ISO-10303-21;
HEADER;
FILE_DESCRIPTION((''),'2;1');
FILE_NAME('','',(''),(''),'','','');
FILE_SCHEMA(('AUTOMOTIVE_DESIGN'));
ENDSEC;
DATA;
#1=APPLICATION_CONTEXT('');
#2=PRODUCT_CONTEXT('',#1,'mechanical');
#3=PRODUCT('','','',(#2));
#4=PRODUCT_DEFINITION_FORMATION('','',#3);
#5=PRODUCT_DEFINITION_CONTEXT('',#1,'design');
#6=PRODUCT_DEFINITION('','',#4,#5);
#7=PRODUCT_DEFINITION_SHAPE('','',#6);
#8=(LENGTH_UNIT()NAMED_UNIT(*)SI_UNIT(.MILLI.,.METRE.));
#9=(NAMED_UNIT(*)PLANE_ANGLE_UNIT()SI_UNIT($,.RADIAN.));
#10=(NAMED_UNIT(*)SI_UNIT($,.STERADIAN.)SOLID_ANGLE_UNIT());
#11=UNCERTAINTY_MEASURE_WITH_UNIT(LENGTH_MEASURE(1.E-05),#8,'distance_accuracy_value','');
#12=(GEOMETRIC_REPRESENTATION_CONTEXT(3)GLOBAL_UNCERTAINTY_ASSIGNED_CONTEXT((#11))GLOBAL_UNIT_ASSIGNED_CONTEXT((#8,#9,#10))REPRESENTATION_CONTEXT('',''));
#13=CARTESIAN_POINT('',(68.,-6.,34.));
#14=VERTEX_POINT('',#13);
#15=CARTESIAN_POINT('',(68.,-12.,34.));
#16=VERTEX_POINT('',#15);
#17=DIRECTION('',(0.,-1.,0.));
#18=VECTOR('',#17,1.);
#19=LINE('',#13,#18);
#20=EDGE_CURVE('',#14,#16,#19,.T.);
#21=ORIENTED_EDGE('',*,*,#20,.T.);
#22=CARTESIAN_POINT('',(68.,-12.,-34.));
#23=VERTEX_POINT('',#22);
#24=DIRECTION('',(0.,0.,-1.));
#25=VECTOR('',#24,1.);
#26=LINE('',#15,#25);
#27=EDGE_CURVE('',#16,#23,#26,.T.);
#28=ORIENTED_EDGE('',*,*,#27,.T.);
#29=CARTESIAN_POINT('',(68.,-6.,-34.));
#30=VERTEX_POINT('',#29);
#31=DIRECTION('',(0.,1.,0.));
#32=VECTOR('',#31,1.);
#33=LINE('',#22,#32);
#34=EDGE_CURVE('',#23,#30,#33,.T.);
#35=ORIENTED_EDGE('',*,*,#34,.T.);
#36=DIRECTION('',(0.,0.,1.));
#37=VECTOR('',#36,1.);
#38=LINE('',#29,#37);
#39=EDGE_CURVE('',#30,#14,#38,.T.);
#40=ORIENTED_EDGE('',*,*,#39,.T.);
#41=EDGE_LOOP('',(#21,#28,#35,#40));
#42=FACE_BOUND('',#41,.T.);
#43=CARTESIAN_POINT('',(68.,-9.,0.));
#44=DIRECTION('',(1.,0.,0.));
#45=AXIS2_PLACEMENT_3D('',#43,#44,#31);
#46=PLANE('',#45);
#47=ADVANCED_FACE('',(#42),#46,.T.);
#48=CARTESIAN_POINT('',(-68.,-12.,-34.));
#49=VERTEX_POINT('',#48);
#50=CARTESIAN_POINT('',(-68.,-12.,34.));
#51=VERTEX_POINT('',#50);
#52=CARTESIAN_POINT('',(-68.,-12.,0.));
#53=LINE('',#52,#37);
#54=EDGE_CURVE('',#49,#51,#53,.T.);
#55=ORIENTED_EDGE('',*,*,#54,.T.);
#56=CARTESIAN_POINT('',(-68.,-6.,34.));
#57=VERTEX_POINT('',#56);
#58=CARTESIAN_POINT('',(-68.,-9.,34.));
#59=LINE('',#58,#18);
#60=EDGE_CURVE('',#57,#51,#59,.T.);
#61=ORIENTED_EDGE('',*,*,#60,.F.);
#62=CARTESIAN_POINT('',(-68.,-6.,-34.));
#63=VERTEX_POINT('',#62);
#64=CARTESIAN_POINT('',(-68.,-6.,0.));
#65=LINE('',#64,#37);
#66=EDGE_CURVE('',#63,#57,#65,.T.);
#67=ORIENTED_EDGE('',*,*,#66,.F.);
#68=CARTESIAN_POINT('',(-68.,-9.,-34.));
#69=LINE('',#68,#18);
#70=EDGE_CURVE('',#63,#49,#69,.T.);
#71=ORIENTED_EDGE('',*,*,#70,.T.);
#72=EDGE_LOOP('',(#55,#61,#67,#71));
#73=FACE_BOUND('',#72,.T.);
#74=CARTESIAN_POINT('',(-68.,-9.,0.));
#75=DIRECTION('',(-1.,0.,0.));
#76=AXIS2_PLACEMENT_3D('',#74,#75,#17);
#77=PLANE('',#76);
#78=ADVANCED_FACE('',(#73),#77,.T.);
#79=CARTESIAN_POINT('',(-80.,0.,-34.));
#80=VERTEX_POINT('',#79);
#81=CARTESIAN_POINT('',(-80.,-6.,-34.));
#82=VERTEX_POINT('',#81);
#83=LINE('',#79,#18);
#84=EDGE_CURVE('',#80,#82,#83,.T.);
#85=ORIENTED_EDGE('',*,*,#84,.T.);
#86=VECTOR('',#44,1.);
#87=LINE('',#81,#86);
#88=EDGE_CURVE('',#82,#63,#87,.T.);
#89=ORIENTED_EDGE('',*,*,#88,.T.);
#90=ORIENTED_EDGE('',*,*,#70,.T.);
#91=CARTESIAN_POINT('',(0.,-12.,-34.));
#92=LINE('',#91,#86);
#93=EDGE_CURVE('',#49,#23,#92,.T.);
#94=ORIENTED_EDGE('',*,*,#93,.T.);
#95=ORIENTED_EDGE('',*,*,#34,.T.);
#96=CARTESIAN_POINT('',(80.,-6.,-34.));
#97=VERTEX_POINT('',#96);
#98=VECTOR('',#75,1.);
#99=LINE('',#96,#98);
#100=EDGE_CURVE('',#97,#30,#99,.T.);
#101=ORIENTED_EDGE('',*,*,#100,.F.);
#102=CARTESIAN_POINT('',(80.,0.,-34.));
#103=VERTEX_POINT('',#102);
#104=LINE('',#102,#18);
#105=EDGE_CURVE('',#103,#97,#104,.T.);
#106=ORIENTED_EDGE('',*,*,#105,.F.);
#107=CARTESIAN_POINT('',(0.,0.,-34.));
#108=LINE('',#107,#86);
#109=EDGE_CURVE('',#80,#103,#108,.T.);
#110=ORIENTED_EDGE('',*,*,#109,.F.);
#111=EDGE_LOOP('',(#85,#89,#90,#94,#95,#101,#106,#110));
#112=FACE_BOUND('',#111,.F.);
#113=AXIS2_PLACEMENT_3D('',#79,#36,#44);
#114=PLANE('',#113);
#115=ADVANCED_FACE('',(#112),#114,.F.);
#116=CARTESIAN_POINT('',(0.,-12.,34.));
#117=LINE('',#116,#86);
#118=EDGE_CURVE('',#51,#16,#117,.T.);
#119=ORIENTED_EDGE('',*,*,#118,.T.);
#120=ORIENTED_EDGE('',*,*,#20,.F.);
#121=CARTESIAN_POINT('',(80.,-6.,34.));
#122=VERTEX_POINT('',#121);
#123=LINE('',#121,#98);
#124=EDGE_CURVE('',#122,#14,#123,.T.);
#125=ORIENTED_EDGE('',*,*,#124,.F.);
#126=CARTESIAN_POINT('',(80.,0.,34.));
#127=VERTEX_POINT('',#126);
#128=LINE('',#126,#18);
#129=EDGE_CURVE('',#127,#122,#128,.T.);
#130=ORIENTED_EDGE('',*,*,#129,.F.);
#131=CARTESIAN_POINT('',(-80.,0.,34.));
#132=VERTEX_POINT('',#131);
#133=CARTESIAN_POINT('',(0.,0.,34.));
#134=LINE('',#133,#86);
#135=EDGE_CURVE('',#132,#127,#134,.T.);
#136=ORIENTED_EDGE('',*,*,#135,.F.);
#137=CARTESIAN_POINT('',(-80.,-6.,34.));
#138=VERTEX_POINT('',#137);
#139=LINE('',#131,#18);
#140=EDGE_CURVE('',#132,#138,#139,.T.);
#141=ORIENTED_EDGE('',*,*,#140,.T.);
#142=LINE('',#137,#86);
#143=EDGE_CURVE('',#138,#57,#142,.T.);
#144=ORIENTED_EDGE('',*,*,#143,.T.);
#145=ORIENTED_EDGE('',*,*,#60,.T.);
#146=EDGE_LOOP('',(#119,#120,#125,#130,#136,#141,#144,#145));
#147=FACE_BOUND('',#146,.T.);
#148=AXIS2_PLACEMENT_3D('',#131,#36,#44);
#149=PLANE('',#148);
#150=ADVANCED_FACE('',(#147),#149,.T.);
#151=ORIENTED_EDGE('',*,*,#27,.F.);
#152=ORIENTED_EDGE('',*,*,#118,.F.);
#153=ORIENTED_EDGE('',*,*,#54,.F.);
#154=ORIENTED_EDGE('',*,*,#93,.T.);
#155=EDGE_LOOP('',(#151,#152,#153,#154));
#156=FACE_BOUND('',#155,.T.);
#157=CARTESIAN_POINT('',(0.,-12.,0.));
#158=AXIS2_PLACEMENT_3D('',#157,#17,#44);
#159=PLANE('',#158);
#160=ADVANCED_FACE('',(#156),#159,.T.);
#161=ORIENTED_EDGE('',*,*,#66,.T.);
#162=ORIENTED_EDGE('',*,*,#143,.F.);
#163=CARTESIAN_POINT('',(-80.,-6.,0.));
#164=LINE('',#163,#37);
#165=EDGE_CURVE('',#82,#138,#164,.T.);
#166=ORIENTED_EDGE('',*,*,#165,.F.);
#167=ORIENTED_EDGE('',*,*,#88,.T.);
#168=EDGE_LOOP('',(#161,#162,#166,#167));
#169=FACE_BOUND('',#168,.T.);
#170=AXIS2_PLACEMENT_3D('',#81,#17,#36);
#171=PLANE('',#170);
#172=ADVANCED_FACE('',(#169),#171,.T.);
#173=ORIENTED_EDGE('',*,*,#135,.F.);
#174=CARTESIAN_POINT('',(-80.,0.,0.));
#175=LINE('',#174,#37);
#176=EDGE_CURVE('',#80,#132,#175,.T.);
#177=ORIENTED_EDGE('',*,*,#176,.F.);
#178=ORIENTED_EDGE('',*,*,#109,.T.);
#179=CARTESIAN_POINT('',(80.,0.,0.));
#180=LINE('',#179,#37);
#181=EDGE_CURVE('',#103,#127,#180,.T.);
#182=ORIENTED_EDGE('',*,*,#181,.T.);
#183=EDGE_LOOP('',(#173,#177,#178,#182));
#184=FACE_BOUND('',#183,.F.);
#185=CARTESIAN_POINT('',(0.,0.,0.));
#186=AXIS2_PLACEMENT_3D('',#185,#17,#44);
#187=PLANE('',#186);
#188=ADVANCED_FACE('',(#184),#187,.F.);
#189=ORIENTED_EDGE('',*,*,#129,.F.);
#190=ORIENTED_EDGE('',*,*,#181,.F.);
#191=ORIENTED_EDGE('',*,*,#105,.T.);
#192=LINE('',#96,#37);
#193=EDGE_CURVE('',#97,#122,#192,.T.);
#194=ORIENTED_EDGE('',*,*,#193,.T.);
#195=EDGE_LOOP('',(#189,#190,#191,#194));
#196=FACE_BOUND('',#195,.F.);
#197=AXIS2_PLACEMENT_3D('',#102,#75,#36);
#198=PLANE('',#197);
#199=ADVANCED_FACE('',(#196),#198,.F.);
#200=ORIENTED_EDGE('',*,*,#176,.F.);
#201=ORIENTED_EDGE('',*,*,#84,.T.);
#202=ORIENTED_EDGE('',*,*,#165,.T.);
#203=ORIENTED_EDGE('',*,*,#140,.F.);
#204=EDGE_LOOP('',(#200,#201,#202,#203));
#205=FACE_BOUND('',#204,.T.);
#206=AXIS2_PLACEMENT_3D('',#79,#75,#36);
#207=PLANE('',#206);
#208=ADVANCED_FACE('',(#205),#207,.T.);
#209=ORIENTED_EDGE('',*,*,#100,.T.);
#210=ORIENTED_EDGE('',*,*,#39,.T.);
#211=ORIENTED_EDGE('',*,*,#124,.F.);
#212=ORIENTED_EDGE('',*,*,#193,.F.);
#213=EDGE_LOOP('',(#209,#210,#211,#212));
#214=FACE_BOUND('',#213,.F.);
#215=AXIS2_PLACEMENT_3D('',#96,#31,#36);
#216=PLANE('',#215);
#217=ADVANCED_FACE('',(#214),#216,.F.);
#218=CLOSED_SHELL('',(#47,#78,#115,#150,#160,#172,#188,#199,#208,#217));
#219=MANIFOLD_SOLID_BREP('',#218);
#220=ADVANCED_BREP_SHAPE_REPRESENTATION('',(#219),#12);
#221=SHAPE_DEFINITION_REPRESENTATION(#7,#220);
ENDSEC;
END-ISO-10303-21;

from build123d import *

# Parameters (mm, degrees)
F0_W     = 160
F0_H     = 68
F1_DEPTH = 12
F3_DEPTH = 12
F4_W     = 6
F4_H     = 68
F5_DEPTH = 12


with BuildPart() as f1:
    # F0 (on Front) → F1 (new body)
    with BuildSketch(Plane.XZ):
        Rectangle(F0_W, F0_H)
    extrude(amount=F1_DEPTH)

    # F2 (on face) → F3 (cut)
    with BuildSketch(Plane.YZ.offset(80)):
        Polygon((-6, 22), (-6, 34), (-12, 34), (-12, -34), (-6, -34), align=None)
    extrude(amount=-F3_DEPTH, mode=Mode.SUBTRACT)

    # F4 (on face) → F5 (cut)
    with BuildSketch(Plane(origin=(-80, 0, 0), x_dir=(0, -1, 0), z_dir=(-1, 0, 0))):
        with Locations((9, 0)):
            Rectangle(F4_W, F4_H)
    extrude(amount=-F5_DEPTH, mode=Mode.SUBTRACT)


solid = f1.part
